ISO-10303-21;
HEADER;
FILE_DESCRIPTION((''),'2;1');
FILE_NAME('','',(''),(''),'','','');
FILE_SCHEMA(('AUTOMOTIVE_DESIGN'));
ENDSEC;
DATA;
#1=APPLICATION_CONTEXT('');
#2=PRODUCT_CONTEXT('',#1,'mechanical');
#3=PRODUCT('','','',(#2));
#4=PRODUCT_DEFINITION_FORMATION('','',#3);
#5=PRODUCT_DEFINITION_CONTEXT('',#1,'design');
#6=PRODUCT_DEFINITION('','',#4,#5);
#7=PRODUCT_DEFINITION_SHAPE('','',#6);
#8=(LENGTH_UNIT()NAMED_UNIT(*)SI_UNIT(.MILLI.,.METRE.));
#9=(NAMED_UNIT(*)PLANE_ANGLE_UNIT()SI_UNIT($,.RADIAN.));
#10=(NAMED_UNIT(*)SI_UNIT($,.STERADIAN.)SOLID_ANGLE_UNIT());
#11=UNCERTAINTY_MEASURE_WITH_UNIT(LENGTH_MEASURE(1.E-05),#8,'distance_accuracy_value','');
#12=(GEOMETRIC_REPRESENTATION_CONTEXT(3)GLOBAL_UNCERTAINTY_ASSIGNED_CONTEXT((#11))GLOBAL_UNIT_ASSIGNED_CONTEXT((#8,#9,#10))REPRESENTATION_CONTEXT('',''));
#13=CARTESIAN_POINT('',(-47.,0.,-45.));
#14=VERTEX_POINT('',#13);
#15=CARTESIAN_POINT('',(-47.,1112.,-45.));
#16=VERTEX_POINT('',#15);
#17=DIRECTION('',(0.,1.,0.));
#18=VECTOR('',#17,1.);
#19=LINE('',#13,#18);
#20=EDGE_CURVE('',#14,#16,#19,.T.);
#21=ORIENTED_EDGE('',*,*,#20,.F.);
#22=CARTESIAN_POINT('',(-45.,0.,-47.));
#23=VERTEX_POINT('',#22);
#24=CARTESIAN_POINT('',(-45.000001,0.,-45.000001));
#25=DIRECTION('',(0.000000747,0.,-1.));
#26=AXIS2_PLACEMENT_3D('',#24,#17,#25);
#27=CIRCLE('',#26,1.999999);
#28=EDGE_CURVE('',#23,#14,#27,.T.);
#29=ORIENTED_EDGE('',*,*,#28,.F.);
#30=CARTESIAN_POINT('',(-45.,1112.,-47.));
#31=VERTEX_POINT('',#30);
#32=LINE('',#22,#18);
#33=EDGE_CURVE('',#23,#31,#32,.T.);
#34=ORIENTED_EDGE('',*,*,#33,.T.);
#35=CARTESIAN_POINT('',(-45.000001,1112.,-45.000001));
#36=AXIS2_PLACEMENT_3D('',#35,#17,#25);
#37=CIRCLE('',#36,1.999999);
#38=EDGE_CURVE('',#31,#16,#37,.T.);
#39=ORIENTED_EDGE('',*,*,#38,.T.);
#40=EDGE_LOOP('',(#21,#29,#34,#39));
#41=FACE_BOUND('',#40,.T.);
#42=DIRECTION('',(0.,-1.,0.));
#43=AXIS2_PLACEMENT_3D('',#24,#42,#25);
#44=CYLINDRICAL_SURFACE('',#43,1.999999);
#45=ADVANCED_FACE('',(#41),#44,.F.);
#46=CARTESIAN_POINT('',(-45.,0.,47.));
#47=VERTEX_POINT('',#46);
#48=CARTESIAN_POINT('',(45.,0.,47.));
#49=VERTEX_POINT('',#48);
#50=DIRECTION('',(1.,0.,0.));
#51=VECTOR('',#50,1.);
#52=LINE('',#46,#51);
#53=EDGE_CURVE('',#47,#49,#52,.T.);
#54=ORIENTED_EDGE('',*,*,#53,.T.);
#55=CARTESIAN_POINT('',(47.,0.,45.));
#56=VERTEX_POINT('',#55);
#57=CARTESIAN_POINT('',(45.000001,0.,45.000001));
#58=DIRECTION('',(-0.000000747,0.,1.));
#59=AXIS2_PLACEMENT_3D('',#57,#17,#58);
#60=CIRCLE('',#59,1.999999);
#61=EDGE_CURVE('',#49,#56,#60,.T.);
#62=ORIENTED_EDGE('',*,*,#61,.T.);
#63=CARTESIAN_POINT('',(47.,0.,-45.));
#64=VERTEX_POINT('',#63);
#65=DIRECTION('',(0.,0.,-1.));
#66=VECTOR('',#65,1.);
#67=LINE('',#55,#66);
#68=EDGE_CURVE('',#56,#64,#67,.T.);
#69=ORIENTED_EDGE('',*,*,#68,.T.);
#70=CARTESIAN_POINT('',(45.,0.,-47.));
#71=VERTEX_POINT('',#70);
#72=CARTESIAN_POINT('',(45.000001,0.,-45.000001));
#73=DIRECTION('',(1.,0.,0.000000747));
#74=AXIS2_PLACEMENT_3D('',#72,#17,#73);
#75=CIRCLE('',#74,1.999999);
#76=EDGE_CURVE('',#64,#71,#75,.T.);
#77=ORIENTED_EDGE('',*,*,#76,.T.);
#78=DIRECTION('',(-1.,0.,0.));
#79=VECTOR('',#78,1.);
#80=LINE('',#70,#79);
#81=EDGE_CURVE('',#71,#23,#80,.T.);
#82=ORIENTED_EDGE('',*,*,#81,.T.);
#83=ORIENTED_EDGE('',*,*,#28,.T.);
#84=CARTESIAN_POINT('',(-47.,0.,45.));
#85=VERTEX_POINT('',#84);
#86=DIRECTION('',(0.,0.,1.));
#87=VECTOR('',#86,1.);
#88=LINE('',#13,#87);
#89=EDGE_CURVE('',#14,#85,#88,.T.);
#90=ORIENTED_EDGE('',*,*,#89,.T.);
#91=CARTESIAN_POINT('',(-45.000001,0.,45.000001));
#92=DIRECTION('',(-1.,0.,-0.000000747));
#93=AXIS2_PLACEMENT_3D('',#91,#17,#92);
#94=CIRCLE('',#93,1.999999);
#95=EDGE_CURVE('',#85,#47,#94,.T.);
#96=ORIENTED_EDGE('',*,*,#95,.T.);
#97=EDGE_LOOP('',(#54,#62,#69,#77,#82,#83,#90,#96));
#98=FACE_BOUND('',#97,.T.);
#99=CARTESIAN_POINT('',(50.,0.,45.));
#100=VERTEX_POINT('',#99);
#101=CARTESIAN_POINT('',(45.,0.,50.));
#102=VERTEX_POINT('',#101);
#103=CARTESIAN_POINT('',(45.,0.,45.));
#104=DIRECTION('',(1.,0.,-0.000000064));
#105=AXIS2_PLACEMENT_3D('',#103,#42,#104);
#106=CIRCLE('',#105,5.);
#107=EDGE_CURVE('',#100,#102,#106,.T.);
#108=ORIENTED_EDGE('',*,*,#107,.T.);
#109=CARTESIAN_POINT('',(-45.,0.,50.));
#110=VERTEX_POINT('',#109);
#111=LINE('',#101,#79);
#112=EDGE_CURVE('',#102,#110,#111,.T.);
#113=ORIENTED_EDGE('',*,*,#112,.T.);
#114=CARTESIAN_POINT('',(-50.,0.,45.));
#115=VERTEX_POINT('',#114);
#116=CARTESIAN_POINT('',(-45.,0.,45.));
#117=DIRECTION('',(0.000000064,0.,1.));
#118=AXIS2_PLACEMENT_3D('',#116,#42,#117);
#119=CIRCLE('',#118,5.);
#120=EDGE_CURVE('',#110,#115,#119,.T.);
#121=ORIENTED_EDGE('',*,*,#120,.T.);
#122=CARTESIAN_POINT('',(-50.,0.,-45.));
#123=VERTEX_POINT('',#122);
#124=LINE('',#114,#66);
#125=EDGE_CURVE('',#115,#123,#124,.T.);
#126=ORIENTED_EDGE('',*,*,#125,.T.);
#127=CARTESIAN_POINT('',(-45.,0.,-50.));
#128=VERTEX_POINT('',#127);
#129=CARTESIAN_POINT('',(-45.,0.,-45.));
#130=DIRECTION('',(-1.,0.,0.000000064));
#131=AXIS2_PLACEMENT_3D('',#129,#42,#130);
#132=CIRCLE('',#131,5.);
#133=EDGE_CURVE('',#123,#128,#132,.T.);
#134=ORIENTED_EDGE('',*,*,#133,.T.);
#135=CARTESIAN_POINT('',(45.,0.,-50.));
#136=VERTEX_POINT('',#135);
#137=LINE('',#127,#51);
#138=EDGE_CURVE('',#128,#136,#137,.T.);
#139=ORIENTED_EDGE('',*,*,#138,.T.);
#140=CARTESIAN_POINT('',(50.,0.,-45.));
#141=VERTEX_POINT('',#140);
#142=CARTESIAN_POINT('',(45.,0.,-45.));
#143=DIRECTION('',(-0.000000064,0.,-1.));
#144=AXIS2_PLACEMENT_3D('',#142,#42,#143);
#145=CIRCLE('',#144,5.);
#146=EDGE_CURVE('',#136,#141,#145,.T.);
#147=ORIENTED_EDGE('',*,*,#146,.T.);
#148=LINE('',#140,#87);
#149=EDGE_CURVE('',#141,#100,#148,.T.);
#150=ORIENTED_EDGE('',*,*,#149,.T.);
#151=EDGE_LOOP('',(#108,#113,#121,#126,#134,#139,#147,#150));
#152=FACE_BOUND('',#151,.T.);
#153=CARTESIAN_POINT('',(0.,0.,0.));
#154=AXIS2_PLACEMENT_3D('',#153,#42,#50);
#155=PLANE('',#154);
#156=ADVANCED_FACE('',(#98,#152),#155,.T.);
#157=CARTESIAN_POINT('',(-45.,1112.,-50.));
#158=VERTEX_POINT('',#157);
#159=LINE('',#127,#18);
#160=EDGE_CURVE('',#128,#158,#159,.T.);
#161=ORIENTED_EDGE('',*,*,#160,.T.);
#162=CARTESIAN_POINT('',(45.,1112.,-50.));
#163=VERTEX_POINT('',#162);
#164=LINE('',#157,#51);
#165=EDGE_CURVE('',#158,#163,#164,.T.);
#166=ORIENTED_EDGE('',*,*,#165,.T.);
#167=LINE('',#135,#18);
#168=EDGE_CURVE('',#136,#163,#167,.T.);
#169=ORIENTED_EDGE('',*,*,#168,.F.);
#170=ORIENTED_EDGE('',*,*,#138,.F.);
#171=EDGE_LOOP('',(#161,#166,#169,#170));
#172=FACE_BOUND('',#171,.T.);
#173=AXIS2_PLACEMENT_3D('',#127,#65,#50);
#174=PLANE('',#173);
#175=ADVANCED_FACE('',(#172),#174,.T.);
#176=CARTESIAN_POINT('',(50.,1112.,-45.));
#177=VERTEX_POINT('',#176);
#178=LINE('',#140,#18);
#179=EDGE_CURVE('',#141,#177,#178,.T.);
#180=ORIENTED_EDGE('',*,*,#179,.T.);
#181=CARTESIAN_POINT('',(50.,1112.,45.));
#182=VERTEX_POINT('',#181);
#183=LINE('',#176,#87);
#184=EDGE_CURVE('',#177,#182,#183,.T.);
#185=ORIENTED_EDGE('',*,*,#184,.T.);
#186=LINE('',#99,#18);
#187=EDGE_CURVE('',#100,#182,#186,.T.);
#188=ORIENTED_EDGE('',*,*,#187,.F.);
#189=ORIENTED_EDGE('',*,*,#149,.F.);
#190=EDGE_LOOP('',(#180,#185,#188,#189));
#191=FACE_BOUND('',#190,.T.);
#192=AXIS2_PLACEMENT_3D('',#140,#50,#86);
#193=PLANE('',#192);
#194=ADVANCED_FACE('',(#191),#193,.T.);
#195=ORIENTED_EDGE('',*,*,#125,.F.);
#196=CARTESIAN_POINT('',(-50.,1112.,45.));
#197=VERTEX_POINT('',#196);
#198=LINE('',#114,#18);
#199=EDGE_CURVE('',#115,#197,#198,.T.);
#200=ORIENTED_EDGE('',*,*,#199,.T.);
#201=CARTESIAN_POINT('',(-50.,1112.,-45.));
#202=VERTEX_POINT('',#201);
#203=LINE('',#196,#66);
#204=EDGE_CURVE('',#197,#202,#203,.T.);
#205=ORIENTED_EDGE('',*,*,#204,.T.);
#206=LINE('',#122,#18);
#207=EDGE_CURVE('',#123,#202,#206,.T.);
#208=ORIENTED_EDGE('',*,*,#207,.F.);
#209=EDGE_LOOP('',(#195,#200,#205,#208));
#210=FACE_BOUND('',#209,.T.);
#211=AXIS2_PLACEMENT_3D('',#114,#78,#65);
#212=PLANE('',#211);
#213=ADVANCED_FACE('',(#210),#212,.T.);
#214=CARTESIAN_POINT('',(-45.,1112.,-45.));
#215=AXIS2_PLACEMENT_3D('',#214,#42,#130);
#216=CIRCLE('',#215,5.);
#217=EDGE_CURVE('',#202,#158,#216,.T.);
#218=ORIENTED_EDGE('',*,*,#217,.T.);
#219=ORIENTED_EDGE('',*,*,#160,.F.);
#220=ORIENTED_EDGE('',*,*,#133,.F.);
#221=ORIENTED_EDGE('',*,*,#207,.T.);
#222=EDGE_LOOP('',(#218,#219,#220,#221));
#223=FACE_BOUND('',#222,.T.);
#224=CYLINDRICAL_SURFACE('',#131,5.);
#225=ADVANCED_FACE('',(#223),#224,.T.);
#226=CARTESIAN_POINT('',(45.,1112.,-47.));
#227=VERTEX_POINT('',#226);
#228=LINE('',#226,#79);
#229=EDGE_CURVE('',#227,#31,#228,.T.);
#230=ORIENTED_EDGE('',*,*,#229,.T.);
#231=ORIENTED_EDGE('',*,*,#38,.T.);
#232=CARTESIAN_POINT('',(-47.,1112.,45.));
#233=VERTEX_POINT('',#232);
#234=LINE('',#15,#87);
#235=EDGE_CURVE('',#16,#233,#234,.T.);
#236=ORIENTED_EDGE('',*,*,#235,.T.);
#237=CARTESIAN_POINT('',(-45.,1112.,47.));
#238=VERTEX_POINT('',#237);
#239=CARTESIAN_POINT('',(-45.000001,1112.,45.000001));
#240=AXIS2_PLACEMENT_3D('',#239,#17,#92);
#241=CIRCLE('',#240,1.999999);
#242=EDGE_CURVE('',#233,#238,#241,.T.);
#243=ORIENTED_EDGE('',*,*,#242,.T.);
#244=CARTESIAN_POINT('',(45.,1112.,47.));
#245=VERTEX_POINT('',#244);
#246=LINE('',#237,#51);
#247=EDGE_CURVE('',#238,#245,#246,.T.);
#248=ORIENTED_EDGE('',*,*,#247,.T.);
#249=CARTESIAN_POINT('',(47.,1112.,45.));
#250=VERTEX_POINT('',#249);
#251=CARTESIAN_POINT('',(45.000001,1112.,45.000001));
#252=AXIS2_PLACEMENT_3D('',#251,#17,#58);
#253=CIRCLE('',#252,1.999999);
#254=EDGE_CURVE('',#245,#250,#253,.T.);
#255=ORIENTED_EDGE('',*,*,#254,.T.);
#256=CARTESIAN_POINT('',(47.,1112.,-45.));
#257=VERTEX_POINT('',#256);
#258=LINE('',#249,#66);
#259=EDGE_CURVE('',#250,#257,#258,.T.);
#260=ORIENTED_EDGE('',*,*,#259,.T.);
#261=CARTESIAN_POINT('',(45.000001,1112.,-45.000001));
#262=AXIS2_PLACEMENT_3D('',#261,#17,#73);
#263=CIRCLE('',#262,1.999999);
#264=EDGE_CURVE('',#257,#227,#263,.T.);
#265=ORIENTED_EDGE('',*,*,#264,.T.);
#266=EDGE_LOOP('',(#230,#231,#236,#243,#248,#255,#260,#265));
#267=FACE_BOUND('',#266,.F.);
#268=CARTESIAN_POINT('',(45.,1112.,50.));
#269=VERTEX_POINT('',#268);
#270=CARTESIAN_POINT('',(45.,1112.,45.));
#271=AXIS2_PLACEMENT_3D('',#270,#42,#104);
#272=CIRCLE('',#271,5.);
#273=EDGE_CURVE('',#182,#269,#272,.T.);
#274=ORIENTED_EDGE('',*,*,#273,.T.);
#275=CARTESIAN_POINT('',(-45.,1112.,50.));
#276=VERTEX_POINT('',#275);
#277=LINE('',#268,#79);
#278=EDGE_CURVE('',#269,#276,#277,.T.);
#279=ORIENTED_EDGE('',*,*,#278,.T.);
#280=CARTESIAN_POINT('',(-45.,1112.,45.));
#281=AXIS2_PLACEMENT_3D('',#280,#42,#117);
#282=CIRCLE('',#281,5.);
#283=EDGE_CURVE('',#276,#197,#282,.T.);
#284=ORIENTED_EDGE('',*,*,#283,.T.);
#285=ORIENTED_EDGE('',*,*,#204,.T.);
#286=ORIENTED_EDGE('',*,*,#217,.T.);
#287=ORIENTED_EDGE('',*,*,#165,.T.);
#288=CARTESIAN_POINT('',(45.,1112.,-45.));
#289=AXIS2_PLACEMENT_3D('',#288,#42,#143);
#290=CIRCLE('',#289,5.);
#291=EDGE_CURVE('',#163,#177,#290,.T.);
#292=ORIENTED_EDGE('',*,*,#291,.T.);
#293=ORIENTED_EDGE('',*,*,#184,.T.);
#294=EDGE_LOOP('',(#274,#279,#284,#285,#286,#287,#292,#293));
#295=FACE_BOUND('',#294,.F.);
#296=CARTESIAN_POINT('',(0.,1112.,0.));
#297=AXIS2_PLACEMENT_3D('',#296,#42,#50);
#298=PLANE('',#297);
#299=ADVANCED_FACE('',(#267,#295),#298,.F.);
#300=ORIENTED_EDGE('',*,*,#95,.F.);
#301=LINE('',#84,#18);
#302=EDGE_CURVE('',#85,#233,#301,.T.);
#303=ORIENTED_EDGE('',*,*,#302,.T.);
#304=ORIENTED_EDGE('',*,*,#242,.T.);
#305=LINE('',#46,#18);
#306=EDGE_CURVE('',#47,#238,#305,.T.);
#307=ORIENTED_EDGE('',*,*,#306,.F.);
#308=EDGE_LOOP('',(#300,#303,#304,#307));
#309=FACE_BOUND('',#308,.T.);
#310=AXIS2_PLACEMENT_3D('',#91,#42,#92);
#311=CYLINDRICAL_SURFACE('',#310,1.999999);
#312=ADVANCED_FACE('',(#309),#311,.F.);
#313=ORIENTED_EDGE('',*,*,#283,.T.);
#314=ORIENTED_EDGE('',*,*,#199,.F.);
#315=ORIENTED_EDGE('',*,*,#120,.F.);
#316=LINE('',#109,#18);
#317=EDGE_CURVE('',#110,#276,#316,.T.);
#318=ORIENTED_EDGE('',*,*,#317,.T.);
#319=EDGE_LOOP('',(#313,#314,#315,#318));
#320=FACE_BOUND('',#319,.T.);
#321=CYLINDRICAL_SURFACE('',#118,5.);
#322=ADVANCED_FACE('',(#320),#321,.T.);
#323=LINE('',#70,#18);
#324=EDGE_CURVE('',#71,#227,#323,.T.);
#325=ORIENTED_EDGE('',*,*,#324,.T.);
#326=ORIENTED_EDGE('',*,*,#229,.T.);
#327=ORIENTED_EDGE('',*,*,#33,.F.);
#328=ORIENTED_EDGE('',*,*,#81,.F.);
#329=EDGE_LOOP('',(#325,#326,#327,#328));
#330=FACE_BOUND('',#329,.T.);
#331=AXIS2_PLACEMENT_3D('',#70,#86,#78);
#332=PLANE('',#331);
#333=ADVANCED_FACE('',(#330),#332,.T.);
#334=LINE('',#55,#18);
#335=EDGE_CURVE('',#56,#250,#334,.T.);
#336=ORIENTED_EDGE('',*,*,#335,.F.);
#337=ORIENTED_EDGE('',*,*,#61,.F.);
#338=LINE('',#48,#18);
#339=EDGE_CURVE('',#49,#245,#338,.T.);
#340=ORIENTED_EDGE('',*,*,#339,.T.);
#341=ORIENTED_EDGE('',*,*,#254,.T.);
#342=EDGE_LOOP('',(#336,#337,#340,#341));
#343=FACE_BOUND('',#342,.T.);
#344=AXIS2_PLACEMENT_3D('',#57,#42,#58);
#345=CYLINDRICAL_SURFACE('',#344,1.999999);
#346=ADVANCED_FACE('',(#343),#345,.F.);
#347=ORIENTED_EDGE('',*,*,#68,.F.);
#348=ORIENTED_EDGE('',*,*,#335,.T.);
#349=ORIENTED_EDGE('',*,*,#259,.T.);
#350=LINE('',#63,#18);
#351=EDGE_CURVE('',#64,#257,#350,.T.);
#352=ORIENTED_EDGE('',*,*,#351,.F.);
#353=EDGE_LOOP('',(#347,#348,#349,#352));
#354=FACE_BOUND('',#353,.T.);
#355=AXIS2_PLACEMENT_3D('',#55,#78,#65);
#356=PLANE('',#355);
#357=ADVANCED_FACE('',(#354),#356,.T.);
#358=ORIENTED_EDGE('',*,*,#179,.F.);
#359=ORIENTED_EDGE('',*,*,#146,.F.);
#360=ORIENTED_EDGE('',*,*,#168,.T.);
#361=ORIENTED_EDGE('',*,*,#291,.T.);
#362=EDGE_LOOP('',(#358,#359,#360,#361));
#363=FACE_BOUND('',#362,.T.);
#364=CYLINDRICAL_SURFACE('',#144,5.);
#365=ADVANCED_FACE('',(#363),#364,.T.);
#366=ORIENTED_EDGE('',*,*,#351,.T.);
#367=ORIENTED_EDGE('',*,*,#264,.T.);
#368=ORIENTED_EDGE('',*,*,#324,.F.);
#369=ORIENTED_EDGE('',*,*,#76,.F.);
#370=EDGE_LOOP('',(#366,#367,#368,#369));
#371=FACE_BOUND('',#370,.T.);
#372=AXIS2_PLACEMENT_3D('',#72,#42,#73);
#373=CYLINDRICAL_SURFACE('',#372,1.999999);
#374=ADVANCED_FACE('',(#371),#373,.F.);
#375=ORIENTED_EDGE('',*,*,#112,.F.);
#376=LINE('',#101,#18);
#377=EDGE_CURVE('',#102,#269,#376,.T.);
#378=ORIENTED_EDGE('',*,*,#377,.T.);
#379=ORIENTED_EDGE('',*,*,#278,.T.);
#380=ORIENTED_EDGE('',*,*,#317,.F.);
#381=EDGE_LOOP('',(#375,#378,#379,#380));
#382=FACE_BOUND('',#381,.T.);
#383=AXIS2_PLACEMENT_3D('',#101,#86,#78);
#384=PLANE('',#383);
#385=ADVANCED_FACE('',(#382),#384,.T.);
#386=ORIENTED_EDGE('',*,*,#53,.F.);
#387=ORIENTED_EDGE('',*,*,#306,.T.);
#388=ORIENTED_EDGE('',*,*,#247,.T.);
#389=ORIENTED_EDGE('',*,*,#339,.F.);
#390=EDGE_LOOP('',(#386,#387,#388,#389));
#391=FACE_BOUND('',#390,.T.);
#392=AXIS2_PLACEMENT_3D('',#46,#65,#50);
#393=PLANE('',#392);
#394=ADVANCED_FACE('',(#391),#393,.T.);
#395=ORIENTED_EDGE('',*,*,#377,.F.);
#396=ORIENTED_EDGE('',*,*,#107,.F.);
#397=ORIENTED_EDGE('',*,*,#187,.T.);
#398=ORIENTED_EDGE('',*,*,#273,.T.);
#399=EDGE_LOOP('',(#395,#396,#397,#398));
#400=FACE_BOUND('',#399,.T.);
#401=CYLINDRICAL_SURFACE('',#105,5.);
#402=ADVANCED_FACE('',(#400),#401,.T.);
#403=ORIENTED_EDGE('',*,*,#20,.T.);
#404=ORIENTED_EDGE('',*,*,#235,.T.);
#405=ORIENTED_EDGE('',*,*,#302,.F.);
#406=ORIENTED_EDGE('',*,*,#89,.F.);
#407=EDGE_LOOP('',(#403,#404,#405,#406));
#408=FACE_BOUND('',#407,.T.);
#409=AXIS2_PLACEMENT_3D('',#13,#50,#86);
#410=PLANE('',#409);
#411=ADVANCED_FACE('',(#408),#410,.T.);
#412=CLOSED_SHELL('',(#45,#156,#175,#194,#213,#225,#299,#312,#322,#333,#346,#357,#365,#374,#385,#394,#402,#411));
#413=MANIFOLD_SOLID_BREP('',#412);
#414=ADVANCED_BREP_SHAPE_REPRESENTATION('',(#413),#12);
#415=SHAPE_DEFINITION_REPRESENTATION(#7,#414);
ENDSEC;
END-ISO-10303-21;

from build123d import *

# Parameters (mm, degrees)
F1_DEPTH = 1112


with BuildPart() as f1:
    # F0 (on Front) → F1 (new body)
    with BuildSketch(Plane.XZ):
        with BuildLine():
            ThreePointArc((50, 45), (48.535534, 48.535534), (45, 50))
            Line((45, 50), (-45, 50))
            ThreePointArc((-45, 50), (-48.535534, 48.535534), (-50, 45))
            Line((-50, 45), (-50, -45))
            ThreePointArc((-50, -45), (-48.535534, -48.535534), (-45, -50))
            Line((-45, -50), (45, -50))
            ThreePointArc((45, -50), (48.535534, -48.535534), (50, -45))
            Line((50, -45), (50, 45))
        make_face()
        with BuildLine():
            ThreePointArc((-47, 45), (-46.414214, 46.414214), (-45, 47))
            Line((-45, 47), (45, 47))
            ThreePointArc((45, 47), (46.414214, 46.414214), (47, 45))
            Line((47, 45), (47, -45))
            ThreePointArc((47, -45), (46.414214, -46.414214), (45, -47))
            Line((45, -47), (-45, -47))
            ThreePointArc((-45, -47), (-46.414214, -46.414214), (-47, -45))
            Line((-47, -45), (-47, 45))
        make_face(mode=Mode.SUBTRACT)
    extrude(amount=-F1_DEPTH)


solid = f1.part
